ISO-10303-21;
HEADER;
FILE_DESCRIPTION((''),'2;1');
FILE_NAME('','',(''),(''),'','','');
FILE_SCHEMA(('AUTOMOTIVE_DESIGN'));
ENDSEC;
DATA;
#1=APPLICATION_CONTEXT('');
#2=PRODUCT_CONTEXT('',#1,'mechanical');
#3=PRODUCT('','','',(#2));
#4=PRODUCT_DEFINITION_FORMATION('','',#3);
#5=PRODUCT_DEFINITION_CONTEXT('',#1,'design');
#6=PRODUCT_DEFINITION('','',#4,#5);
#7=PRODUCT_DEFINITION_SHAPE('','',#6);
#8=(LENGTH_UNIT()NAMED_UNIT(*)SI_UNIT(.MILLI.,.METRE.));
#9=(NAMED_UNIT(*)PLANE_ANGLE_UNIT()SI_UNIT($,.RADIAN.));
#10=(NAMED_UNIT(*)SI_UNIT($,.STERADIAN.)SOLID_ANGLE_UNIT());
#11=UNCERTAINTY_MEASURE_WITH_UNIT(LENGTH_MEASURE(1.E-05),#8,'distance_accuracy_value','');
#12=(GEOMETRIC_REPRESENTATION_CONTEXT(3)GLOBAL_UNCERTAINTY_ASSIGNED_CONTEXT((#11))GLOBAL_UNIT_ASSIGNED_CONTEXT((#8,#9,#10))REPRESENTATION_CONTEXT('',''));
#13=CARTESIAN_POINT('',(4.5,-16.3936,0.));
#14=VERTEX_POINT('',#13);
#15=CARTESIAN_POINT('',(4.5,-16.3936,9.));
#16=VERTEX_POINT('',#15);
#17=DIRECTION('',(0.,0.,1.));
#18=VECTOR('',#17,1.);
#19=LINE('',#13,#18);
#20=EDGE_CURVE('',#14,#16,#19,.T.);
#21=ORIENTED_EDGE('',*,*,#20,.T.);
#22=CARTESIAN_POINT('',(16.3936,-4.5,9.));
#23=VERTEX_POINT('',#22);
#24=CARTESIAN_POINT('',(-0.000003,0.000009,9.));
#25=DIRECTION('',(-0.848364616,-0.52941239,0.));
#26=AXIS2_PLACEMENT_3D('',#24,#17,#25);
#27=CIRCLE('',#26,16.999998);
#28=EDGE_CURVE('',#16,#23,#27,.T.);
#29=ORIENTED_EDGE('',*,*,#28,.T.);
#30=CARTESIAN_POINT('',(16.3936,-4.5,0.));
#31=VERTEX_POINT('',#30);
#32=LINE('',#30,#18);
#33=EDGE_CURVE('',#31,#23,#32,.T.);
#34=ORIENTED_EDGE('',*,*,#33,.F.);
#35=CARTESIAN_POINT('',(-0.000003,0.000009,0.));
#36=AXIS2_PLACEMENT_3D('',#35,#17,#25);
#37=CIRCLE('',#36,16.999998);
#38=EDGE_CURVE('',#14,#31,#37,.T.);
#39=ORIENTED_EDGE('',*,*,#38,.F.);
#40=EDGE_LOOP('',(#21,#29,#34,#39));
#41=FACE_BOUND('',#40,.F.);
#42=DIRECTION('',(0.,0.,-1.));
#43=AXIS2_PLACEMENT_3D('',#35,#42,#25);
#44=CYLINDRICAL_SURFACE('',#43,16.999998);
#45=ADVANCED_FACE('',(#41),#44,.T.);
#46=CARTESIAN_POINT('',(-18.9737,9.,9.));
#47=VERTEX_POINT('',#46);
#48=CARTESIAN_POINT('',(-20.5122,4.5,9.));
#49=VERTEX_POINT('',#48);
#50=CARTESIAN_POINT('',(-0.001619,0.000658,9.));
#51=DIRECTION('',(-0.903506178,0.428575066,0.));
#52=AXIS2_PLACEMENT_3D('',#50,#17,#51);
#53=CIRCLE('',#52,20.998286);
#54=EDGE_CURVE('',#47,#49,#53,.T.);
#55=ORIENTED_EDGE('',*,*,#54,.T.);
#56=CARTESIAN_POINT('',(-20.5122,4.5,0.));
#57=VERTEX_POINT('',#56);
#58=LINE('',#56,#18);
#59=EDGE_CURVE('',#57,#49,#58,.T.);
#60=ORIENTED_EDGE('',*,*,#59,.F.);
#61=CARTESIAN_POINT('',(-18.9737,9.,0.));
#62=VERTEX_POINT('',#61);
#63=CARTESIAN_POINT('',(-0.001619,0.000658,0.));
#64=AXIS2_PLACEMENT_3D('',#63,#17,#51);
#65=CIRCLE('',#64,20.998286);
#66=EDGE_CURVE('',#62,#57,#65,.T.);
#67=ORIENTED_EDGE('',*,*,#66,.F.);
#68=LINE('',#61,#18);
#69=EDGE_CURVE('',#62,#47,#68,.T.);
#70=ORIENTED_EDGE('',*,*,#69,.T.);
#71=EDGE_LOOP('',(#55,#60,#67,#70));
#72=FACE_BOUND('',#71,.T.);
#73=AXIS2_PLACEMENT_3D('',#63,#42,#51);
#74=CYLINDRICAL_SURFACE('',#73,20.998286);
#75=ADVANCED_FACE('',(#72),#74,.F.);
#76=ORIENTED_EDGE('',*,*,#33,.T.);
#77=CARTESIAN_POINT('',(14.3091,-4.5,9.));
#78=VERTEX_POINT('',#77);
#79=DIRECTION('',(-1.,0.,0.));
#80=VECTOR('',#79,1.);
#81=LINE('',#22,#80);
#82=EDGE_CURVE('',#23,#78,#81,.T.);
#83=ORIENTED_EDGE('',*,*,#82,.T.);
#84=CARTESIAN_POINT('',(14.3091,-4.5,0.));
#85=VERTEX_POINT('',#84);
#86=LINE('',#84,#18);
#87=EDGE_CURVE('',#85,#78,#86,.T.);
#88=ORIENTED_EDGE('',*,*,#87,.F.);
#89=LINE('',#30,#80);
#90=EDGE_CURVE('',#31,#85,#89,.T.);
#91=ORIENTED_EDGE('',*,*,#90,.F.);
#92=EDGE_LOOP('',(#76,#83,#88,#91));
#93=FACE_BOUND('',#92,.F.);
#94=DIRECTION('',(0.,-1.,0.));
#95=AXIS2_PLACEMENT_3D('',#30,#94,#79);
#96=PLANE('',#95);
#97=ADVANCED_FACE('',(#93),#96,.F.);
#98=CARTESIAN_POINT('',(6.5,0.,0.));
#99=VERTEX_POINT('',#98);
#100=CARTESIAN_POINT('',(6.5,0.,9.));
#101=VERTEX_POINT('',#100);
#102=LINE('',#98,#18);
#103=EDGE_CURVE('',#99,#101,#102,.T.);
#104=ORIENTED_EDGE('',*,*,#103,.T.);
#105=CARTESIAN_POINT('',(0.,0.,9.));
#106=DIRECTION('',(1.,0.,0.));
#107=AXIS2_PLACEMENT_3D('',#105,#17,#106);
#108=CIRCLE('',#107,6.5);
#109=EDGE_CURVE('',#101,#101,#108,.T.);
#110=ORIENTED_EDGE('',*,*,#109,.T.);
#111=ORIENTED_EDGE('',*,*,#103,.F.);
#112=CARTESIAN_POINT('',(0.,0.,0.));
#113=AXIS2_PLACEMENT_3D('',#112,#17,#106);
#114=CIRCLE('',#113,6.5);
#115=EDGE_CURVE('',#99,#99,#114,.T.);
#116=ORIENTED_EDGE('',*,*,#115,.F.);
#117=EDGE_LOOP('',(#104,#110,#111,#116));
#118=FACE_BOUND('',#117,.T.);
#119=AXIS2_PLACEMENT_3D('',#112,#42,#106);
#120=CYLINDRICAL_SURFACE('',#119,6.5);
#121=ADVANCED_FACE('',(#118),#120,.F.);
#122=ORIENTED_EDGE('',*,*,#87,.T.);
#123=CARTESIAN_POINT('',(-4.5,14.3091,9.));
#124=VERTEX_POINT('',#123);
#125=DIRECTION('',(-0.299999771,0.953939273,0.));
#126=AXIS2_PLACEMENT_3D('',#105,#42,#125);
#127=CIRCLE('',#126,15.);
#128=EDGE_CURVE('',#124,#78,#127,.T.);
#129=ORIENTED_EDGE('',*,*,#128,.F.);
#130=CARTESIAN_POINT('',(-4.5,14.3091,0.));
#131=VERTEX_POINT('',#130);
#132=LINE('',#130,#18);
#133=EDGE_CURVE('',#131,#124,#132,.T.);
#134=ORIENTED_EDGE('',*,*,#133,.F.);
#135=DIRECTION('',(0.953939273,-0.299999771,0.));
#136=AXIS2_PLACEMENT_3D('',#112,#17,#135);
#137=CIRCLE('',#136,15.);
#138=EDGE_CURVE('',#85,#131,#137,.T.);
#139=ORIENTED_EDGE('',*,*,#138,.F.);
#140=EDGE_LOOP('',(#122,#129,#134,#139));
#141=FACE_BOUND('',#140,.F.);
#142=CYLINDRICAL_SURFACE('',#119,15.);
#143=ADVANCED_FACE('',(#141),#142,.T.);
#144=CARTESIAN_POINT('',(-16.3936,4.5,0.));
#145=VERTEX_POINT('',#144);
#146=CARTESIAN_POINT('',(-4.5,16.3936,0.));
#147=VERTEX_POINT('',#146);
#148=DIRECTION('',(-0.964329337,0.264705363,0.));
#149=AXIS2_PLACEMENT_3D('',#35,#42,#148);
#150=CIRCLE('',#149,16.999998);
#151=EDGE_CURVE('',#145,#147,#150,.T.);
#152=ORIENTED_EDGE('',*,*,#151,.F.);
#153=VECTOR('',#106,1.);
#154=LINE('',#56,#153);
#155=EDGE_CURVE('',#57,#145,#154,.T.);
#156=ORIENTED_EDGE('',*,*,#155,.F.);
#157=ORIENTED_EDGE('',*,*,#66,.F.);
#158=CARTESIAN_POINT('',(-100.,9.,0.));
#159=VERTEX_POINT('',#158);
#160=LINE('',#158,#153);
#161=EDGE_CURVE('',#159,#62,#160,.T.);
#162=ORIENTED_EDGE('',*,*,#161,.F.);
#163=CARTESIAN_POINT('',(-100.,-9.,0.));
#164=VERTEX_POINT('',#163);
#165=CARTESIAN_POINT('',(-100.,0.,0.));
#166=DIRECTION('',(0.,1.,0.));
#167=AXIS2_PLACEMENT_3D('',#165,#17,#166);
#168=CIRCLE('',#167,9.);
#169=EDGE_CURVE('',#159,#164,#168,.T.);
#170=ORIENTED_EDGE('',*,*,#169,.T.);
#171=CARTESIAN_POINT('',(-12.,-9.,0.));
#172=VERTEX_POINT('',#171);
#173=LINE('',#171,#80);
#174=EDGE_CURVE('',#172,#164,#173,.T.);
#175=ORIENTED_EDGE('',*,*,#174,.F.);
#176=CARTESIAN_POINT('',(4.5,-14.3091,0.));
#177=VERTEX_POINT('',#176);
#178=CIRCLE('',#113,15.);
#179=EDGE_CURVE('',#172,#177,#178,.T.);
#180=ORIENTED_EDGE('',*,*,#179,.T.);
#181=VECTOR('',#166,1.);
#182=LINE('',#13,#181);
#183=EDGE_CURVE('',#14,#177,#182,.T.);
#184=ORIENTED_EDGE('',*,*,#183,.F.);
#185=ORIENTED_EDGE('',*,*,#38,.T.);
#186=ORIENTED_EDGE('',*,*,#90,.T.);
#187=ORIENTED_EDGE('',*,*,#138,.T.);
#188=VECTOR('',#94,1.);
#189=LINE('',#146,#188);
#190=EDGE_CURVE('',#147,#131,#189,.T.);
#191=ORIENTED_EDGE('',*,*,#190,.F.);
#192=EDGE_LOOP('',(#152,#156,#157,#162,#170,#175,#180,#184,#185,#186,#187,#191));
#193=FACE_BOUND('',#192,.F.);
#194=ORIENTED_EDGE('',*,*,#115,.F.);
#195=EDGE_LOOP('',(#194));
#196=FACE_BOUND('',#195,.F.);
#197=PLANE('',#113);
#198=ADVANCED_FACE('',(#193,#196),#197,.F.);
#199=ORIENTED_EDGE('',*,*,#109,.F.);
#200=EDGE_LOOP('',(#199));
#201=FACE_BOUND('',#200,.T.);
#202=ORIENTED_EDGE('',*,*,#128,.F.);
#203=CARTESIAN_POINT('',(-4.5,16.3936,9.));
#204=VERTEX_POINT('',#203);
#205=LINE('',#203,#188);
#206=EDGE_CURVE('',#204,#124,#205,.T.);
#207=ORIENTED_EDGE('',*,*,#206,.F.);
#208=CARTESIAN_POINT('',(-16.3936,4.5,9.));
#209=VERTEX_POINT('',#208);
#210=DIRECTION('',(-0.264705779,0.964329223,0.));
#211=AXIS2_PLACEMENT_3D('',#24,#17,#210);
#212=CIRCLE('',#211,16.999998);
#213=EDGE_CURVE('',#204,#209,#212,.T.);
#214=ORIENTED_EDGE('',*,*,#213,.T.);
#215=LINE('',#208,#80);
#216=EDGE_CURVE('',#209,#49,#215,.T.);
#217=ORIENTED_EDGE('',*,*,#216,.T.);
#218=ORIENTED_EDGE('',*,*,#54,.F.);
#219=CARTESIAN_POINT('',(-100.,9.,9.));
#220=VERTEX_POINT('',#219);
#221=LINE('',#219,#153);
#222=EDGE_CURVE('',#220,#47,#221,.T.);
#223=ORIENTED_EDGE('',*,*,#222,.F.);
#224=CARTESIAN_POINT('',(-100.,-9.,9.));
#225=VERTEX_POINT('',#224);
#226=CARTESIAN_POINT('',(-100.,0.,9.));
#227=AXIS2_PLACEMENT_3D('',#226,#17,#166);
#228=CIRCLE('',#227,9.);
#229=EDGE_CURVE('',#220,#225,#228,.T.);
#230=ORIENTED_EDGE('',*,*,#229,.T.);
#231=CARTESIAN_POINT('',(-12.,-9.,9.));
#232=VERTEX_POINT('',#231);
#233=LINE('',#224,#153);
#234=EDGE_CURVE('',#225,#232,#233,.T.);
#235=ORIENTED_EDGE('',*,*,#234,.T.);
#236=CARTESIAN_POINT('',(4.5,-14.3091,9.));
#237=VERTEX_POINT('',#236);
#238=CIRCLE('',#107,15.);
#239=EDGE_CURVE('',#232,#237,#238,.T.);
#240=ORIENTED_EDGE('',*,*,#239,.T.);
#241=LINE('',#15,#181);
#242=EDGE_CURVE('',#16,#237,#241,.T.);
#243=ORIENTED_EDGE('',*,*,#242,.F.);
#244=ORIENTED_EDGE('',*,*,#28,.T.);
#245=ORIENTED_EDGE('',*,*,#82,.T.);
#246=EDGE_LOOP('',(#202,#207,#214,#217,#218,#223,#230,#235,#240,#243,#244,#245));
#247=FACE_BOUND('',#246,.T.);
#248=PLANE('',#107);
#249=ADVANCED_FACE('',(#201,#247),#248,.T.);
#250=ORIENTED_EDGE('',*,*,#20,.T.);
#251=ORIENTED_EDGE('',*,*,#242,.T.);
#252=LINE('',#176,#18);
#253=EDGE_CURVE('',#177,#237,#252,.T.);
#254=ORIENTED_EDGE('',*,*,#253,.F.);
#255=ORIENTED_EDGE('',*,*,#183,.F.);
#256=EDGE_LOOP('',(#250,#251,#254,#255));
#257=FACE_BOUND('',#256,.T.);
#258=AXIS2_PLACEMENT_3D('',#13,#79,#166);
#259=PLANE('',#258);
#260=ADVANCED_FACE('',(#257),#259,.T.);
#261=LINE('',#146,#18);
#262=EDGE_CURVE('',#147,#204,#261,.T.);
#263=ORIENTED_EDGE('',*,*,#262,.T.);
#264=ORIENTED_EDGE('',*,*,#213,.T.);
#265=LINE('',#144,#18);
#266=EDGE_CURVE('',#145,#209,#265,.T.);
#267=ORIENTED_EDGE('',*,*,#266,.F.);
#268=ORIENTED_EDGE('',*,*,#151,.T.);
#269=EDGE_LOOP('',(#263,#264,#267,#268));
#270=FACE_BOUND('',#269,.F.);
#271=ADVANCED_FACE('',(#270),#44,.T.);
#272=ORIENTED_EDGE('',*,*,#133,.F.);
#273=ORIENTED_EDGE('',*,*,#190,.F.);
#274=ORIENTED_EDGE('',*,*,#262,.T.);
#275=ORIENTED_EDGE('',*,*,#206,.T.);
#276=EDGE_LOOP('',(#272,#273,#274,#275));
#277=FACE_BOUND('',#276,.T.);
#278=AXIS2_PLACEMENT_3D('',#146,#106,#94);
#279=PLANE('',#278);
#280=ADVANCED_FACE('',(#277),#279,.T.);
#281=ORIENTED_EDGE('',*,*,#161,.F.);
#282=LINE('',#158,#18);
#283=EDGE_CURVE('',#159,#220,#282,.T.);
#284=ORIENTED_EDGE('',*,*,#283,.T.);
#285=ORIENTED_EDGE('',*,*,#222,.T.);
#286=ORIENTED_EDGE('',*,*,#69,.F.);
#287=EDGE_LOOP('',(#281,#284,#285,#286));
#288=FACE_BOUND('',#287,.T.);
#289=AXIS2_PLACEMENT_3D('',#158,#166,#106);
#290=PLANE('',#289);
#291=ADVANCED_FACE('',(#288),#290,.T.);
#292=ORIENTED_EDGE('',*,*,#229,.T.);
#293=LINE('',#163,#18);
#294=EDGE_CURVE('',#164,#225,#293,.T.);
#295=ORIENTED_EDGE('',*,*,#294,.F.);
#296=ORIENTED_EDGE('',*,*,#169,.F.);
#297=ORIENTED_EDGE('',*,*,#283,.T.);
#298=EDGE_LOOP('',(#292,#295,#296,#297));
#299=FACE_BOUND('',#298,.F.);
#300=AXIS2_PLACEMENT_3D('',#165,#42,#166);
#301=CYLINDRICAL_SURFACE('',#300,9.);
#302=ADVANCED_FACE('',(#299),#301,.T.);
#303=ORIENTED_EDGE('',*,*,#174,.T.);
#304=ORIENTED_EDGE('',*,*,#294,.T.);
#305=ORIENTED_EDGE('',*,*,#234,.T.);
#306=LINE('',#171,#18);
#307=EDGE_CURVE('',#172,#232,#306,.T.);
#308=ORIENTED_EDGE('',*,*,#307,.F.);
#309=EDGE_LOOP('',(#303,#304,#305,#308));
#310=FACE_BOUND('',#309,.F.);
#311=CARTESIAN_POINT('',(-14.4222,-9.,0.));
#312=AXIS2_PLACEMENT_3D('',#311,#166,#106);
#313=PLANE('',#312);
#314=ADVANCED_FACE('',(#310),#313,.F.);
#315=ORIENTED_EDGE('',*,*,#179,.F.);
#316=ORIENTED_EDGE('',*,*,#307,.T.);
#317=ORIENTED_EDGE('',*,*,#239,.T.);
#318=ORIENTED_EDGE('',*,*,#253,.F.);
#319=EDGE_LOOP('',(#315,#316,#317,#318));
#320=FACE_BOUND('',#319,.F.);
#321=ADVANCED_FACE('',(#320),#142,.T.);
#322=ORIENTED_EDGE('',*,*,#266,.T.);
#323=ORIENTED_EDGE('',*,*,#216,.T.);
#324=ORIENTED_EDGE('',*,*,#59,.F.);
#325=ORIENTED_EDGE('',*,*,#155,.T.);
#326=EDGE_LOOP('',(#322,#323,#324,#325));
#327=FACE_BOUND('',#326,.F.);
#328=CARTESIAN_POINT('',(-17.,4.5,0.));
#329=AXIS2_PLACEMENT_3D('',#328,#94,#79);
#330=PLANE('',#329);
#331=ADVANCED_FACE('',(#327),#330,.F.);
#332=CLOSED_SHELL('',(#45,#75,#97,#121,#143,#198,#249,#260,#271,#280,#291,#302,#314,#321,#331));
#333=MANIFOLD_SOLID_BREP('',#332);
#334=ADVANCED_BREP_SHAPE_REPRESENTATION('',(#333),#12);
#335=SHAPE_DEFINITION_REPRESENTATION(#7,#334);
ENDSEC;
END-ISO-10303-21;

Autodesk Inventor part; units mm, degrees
ref_plane "YZ Plane" through (0, 0, 0) normal (1, 0, 0) x (0, 1, 0)
ref_plane "XZ Plane" through (0, 0, 0) normal (0, 1, 0) x (-1, 0, 0)
ref_plane "XY Plane" through (0, 0, 0) normal (0, 0, 1) x (1, 0, 0)
sketch "Sketch1" plane through (0, 0, 0) normal (0, 0, 1) x (1, 0, 0)
  circle A0 centre (0, 0) radius 6.5
  circle A1 centre (0, 0) radius 15
  arc A2 (-18.9737, 9) -> (-20.5122, 4.5) centre (0, 0) ccw
  arc A3 (-14.4222, -9) -> (-16.3936, 4.5) centre (0, 0) ccw
  line L0 (0, 17) -> (-4.5, 17) construction
  line L1 (17, 0) -> (17, -4.5) construction
  line L2 (16.3936, -4.5) -> (14.3091, -4.5)
  line L3 (0, -17) -> (4.5, -17) construction
  line L4 (4.5, -16.3936) -> (4.5, -14.3091)
  line L5 (-17, 0) -> (-17, 4.5) construction
  line L6 (-17, 4.5) -> (-14.3091, 4.5)
  line L7 (0, 0) -> (-100, 0) construction
  arc A4 (-100, 9) -> (-100, -9) centre (-100, 0) ccw
  line L8 (-100, -9) -> (-12, -9)
  line L9 (-100, 9) -> (-18.9737, 9)
  line L10 (-14.4222, 9) -> (-12, 9)
  line L11 (-17, 4.5) -> (-20.5122, 4.5)
  line L12 (-4.5, 16.3936) -> (-4.5, 14.3091)
  line L13 (-4.5, 16.3936) -> (-4.5, 17) construction
  line L14 (17, -4.5) -> (16.3936, -4.5) construction
  line L15 (4.5, -17) -> (4.5, -16.3936) construction
  dimension "d3" = 34
  dimension "d0" = 13
  dimension "d1" = 30
  dimension "d2" = 42
  dimension "d4" = 4.5
  dimension "d5" = 4.5
  dimension "d6" = 4.5
  dimension "d7" = 4.5
  dimension "d8" = 100
  dimension "d9" = 9
extrude "Extrusion1" add sketch "Sketch1" along normal blind 9 contours A1 | A1 L10 A3 L12 | L2 A3 L4 A1 | A1 L6 A3 L10 | A1 L8 A4 L9 A2 L11 L6
equation "\"d5\" = d4"
equation "\"d6\" = d4"
equation "\"d7\" = d4"
properties part number "Handle Base Feature" material "Steel, Mild"
